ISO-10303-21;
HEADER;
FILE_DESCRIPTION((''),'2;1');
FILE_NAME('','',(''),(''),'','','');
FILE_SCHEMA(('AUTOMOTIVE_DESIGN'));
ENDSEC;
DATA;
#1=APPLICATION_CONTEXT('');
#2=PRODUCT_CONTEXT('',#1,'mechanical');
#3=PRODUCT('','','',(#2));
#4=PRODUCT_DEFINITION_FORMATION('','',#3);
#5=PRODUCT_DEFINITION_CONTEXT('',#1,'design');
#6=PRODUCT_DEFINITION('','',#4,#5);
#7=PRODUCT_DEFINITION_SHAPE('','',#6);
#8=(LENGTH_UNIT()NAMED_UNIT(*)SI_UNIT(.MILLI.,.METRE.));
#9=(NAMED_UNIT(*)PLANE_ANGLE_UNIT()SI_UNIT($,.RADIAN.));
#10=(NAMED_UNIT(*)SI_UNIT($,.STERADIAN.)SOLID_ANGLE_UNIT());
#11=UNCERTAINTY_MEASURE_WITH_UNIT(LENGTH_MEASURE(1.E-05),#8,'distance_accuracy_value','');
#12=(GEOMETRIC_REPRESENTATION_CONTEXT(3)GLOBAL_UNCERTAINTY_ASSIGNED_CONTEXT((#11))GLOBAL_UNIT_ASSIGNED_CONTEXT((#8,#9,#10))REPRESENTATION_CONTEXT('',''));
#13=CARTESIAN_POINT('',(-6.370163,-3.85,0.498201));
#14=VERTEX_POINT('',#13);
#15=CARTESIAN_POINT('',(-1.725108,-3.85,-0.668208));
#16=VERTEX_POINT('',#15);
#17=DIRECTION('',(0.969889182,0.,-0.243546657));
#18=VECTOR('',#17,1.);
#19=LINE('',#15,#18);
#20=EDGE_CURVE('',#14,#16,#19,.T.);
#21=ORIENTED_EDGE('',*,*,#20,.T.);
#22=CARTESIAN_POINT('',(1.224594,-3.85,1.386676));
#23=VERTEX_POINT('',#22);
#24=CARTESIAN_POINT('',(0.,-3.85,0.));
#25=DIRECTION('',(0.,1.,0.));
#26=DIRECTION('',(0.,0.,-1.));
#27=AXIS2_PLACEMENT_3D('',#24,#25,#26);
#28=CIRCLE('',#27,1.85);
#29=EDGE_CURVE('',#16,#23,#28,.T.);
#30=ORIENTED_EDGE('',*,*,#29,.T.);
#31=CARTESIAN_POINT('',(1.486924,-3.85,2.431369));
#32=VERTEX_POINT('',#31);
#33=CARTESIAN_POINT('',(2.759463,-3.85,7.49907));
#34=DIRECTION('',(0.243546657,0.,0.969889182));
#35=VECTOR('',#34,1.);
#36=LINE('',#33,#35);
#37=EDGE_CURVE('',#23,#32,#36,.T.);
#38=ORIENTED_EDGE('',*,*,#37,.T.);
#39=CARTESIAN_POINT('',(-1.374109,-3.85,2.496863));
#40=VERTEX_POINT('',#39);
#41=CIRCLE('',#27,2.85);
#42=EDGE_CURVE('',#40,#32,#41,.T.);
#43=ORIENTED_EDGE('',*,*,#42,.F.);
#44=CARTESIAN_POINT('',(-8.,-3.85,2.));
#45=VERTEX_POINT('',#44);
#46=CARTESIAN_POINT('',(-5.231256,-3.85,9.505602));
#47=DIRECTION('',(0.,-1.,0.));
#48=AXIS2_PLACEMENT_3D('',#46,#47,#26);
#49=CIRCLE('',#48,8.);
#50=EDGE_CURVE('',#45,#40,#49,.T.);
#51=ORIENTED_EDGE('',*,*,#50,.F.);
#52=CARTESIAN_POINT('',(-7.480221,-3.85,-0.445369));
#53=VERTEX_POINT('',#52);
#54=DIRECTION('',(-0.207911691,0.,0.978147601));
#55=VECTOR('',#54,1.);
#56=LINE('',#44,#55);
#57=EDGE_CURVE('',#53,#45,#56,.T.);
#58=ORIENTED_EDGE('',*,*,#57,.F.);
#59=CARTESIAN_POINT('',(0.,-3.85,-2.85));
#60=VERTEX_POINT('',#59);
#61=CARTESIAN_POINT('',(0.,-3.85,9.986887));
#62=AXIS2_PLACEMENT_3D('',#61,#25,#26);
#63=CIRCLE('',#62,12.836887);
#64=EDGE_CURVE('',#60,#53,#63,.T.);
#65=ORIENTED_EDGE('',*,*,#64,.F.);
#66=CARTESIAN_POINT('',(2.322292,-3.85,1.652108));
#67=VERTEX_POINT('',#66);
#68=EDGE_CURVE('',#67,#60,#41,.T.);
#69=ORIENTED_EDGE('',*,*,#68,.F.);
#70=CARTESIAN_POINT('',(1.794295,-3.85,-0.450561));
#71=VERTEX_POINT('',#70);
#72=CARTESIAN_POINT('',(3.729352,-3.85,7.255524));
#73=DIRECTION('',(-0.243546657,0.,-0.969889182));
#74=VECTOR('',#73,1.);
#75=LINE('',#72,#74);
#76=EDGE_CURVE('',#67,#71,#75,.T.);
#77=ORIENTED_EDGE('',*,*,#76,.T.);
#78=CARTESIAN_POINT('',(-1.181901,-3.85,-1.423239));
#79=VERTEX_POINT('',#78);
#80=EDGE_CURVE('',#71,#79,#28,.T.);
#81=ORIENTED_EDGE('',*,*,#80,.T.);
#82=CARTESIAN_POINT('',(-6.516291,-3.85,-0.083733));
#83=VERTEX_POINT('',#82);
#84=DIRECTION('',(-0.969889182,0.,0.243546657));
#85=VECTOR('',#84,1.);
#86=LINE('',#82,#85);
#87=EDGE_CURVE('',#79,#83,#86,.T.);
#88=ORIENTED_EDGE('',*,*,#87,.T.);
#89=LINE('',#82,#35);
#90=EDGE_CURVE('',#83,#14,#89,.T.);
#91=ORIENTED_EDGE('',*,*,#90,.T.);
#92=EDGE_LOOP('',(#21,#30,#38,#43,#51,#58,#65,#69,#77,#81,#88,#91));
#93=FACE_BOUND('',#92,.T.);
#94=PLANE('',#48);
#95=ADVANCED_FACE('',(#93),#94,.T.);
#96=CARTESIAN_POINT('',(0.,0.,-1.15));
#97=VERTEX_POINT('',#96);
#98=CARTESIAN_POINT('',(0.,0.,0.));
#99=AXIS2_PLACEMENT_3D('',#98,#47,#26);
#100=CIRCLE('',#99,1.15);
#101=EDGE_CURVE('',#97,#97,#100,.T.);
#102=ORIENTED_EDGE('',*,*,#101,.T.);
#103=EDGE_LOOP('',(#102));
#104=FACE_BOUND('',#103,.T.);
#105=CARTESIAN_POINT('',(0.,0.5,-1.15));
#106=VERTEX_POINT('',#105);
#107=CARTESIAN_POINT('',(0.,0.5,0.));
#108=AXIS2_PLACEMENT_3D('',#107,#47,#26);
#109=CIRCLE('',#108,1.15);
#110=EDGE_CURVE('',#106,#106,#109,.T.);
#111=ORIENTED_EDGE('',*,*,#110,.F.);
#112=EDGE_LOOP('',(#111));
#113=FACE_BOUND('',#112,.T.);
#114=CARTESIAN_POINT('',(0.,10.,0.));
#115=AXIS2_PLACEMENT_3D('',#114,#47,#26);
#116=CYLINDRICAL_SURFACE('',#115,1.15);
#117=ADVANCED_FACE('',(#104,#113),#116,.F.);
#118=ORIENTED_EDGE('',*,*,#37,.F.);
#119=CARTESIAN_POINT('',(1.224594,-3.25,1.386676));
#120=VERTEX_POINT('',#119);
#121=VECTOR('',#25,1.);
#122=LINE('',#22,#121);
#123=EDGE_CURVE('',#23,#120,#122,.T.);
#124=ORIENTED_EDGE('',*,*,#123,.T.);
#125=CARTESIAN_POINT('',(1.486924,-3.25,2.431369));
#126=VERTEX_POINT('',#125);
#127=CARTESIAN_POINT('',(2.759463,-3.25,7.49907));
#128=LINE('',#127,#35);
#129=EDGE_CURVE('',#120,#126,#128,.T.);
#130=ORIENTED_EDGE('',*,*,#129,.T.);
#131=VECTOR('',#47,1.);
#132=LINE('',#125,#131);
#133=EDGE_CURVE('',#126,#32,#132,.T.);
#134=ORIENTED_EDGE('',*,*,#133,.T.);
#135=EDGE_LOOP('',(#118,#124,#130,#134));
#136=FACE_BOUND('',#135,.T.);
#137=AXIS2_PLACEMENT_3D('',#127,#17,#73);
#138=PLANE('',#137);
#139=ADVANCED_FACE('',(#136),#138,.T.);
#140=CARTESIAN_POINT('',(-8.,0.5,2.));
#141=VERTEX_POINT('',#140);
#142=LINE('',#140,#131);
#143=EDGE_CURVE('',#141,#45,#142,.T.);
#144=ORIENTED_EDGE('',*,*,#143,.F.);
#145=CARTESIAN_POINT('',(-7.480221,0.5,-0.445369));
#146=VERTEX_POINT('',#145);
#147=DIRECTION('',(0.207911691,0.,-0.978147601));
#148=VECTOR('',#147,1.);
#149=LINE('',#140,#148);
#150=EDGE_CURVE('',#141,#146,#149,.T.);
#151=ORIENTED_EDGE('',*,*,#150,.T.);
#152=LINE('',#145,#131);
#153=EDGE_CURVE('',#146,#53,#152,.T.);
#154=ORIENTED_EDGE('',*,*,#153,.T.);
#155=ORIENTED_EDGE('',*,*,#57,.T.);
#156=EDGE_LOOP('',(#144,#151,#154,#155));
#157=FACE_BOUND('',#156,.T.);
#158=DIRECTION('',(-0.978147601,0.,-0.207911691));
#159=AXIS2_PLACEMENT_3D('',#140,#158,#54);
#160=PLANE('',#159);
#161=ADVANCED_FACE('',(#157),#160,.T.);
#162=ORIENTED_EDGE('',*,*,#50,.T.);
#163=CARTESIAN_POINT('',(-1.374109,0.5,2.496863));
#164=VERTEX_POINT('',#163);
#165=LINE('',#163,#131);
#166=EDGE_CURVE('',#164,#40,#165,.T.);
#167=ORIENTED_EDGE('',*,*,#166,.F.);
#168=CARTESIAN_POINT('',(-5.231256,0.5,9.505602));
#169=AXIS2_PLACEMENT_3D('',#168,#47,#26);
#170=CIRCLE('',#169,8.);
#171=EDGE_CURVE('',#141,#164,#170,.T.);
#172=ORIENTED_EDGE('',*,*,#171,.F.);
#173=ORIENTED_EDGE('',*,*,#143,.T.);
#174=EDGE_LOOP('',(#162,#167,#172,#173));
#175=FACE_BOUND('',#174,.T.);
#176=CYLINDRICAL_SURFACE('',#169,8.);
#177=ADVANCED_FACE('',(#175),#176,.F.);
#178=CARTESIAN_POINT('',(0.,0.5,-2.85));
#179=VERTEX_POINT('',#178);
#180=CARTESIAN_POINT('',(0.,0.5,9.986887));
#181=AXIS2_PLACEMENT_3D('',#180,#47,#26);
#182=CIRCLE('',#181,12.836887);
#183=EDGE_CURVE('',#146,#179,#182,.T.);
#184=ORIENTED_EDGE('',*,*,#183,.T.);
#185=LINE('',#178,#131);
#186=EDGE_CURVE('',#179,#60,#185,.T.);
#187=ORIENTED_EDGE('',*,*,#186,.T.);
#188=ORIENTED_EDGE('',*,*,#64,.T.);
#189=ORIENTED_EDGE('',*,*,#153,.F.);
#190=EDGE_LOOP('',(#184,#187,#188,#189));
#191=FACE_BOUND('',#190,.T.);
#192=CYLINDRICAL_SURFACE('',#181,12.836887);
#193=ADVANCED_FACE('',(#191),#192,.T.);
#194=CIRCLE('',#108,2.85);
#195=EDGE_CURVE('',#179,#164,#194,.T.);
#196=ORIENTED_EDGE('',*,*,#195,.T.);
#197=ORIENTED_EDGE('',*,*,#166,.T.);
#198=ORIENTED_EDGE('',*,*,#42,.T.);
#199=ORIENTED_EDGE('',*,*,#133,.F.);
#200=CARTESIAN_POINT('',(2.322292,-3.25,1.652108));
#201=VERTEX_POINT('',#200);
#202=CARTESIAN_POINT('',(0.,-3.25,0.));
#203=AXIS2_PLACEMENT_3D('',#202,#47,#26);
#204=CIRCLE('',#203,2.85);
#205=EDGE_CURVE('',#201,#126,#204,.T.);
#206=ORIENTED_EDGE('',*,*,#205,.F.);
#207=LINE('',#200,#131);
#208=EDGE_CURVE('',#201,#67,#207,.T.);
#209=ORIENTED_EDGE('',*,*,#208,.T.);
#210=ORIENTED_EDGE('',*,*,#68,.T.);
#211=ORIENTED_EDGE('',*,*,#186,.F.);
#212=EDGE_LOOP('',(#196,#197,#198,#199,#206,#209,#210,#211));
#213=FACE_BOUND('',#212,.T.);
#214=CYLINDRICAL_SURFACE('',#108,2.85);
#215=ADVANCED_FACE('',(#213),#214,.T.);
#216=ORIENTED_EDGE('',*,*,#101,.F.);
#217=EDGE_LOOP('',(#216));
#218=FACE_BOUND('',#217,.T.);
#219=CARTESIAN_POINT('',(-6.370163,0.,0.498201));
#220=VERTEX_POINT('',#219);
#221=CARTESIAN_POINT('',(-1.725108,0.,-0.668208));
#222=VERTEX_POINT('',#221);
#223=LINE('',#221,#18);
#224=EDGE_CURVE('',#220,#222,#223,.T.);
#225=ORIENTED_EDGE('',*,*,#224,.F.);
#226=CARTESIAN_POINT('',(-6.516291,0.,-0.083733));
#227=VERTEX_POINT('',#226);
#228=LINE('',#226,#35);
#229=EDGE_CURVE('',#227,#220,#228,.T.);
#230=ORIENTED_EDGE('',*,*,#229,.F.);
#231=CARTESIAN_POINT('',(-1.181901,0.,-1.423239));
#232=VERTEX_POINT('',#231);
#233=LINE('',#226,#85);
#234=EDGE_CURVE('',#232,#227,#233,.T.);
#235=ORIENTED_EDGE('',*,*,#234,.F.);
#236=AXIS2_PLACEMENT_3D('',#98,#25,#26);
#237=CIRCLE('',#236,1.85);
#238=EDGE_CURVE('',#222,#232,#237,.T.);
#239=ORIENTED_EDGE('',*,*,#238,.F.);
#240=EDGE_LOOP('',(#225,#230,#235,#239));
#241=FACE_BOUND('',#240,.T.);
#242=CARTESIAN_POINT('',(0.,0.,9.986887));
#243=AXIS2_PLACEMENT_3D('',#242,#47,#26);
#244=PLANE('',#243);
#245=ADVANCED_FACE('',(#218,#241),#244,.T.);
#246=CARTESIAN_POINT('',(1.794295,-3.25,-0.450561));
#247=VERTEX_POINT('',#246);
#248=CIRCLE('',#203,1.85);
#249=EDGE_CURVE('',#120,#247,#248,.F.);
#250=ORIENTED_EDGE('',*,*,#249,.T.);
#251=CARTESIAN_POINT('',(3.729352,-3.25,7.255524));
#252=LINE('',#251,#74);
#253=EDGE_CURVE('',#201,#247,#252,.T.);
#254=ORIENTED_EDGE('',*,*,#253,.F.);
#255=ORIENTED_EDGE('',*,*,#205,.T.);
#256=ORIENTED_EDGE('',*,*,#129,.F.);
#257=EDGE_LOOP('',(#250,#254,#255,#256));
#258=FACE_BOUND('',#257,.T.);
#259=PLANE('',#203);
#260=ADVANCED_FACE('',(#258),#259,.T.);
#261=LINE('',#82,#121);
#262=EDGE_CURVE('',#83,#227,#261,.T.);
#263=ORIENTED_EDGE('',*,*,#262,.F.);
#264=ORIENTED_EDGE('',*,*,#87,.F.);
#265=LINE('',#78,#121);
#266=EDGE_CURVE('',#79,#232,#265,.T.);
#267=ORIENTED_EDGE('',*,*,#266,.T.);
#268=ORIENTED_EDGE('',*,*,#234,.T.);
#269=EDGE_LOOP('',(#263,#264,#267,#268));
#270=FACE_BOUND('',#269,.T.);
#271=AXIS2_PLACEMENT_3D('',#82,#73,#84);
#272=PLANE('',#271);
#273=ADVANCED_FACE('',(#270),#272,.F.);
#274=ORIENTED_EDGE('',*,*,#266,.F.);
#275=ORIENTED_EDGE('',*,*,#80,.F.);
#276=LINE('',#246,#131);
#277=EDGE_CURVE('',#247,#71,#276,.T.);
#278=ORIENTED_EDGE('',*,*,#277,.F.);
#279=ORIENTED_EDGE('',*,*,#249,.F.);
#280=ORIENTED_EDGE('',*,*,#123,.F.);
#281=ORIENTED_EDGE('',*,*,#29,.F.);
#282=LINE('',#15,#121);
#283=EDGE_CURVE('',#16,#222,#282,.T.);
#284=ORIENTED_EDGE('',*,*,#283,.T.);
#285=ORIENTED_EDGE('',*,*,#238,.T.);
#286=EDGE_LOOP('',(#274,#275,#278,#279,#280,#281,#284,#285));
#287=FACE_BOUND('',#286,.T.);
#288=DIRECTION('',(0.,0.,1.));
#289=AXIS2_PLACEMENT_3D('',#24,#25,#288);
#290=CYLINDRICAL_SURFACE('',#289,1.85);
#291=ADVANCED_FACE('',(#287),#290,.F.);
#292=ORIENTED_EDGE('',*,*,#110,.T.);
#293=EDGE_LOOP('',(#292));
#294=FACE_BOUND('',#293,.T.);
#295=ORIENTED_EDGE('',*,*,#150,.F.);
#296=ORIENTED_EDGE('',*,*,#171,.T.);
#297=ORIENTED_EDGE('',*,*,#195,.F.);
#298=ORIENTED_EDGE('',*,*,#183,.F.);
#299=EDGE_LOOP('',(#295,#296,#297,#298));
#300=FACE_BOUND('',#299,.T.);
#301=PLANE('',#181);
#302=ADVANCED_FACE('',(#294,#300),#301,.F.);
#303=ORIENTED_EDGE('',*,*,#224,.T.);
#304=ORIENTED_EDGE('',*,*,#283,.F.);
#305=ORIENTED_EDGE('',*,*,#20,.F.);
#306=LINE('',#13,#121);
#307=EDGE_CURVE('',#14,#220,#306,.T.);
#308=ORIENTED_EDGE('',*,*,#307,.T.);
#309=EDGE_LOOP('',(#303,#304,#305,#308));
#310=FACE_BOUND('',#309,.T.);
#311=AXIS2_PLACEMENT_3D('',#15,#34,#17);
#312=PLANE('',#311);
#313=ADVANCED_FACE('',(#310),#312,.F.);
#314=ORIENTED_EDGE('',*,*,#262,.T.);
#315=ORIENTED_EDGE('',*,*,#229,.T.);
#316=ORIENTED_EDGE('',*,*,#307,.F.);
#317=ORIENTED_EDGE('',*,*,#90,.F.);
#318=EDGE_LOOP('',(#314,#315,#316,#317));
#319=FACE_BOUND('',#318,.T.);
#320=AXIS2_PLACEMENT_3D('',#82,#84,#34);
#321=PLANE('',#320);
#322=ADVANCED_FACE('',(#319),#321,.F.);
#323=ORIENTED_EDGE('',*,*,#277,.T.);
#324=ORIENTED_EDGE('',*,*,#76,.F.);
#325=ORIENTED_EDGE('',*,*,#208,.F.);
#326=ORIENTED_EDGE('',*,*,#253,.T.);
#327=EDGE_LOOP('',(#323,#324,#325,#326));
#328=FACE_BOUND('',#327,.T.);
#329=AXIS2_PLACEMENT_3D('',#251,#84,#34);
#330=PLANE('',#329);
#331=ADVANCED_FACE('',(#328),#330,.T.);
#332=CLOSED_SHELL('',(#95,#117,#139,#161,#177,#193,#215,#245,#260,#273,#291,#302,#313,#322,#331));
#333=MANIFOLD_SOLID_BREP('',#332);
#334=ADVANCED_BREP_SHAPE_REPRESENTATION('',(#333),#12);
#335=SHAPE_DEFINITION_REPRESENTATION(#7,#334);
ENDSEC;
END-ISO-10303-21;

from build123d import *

# Parameters (mm, degrees)
BOSS_EXTRUDE1_DEPTH = 0.5
BOSS_EXTRUDE2_START = -3.85
BOSS_EXTRUDE2_DEPTH = 3.85
SKETCH2_R           = 1.15
CUT_EXTRUDE1_DEPTH  = 10
CUT_EXTRUDE2_START  = 3.85
CUT_EXTRUDE2_DEPTH  = 0.6


with BuildPart() as part:
    # Sketch1 → Boss-Extrude1 (new body)
    with BuildSketch(Plane(origin=(0, 0, 0), x_dir=(1, 0, 0), z_dir=(0, 1, 0))):
        with BuildLine():
            Line((-8, -2), (-7.480220773, 0.445369002))
            ThreePointArc((-7.480220773, 0.445369002), (-3.928611493, 2.234065485), (0, 2.85))
            ThreePointArc((0, 2.85), (2.760304316, -0.709380069), (-1.374108678, -2.4968631))
            ThreePointArc((-1.374108678, -2.4968631), (-4.633030541, -1.528000078), (-8, -2))
        make_face()
    extrude(amount=BOSS_EXTRUDE1_DEPTH)

    # Sketch1<3> → Boss-Extrude2 (add)
    with BuildSketch(Plane(origin=(0, 0, 0), x_dir=(1, 0, 0), z_dir=(0, 1, 0)).offset(BOSS_EXTRUDE2_START)):
        with BuildLine():
            Line((-8, -2), (-7.480220773, 0.445369002))
            ThreePointArc((-7.480220773, 0.445369002), (-3.928611493, 2.234065485), (0, 2.85))
            ThreePointArc((0, 2.85), (2.760304316, -0.709380069), (-1.374108678, -2.4968631))
            ThreePointArc((-1.374108678, -2.4968631), (-4.633030541, -1.528000078), (-8, -2))
        make_face()
        with BuildLine():
            Line((-6.516291445, 0.083732705), (-1.181900943, 1.423239319))
            ThreePointArc((-1.181900943, 1.423239319), (1.501730026, -1.080419793), (-1.725107949, 0.668208473))
            Line((-1.725107949, 0.668208473), (-6.370163451, -0.498200805))
            Line((-6.370163451, -0.498200805), (-6.516291445, 0.083732705))
        make_face(mode=Mode.SUBTRACT)
    extrude(amount=BOSS_EXTRUDE2_DEPTH)

    # Sketch2 → Cut-Extrude1 (cut)
    with BuildSketch(Plane.XZ):
        with Locations(Location((0, 0, 0), (0, 0, 270))):
            Circle(SKETCH2_R)
    extrude(amount=-CUT_EXTRUDE1_DEPTH, mode=Mode.SUBTRACT)

    # Sketch3 → Cut-Extrude2 (cut)
    with BuildSketch(Plane.XZ.offset(CUT_EXTRUDE2_START)):
        with BuildLine():
            Line((1.085530532, 0.832876632), (1.48692434, 2.431369163))
            ThreePointArc((1.48692434, 2.431369163), (1.944053318, 2.08402416), (2.322291558, 1.652108326))
            Line((2.322291558, 1.652108326), (1.794294987, -0.450561316))
            Line((1.794294987, -0.450561316), (1.085530532, 0.832876632))
        make_face()
    extrude(amount=-CUT_EXTRUDE2_DEPTH, mode=Mode.SUBTRACT)


solid = part.part
